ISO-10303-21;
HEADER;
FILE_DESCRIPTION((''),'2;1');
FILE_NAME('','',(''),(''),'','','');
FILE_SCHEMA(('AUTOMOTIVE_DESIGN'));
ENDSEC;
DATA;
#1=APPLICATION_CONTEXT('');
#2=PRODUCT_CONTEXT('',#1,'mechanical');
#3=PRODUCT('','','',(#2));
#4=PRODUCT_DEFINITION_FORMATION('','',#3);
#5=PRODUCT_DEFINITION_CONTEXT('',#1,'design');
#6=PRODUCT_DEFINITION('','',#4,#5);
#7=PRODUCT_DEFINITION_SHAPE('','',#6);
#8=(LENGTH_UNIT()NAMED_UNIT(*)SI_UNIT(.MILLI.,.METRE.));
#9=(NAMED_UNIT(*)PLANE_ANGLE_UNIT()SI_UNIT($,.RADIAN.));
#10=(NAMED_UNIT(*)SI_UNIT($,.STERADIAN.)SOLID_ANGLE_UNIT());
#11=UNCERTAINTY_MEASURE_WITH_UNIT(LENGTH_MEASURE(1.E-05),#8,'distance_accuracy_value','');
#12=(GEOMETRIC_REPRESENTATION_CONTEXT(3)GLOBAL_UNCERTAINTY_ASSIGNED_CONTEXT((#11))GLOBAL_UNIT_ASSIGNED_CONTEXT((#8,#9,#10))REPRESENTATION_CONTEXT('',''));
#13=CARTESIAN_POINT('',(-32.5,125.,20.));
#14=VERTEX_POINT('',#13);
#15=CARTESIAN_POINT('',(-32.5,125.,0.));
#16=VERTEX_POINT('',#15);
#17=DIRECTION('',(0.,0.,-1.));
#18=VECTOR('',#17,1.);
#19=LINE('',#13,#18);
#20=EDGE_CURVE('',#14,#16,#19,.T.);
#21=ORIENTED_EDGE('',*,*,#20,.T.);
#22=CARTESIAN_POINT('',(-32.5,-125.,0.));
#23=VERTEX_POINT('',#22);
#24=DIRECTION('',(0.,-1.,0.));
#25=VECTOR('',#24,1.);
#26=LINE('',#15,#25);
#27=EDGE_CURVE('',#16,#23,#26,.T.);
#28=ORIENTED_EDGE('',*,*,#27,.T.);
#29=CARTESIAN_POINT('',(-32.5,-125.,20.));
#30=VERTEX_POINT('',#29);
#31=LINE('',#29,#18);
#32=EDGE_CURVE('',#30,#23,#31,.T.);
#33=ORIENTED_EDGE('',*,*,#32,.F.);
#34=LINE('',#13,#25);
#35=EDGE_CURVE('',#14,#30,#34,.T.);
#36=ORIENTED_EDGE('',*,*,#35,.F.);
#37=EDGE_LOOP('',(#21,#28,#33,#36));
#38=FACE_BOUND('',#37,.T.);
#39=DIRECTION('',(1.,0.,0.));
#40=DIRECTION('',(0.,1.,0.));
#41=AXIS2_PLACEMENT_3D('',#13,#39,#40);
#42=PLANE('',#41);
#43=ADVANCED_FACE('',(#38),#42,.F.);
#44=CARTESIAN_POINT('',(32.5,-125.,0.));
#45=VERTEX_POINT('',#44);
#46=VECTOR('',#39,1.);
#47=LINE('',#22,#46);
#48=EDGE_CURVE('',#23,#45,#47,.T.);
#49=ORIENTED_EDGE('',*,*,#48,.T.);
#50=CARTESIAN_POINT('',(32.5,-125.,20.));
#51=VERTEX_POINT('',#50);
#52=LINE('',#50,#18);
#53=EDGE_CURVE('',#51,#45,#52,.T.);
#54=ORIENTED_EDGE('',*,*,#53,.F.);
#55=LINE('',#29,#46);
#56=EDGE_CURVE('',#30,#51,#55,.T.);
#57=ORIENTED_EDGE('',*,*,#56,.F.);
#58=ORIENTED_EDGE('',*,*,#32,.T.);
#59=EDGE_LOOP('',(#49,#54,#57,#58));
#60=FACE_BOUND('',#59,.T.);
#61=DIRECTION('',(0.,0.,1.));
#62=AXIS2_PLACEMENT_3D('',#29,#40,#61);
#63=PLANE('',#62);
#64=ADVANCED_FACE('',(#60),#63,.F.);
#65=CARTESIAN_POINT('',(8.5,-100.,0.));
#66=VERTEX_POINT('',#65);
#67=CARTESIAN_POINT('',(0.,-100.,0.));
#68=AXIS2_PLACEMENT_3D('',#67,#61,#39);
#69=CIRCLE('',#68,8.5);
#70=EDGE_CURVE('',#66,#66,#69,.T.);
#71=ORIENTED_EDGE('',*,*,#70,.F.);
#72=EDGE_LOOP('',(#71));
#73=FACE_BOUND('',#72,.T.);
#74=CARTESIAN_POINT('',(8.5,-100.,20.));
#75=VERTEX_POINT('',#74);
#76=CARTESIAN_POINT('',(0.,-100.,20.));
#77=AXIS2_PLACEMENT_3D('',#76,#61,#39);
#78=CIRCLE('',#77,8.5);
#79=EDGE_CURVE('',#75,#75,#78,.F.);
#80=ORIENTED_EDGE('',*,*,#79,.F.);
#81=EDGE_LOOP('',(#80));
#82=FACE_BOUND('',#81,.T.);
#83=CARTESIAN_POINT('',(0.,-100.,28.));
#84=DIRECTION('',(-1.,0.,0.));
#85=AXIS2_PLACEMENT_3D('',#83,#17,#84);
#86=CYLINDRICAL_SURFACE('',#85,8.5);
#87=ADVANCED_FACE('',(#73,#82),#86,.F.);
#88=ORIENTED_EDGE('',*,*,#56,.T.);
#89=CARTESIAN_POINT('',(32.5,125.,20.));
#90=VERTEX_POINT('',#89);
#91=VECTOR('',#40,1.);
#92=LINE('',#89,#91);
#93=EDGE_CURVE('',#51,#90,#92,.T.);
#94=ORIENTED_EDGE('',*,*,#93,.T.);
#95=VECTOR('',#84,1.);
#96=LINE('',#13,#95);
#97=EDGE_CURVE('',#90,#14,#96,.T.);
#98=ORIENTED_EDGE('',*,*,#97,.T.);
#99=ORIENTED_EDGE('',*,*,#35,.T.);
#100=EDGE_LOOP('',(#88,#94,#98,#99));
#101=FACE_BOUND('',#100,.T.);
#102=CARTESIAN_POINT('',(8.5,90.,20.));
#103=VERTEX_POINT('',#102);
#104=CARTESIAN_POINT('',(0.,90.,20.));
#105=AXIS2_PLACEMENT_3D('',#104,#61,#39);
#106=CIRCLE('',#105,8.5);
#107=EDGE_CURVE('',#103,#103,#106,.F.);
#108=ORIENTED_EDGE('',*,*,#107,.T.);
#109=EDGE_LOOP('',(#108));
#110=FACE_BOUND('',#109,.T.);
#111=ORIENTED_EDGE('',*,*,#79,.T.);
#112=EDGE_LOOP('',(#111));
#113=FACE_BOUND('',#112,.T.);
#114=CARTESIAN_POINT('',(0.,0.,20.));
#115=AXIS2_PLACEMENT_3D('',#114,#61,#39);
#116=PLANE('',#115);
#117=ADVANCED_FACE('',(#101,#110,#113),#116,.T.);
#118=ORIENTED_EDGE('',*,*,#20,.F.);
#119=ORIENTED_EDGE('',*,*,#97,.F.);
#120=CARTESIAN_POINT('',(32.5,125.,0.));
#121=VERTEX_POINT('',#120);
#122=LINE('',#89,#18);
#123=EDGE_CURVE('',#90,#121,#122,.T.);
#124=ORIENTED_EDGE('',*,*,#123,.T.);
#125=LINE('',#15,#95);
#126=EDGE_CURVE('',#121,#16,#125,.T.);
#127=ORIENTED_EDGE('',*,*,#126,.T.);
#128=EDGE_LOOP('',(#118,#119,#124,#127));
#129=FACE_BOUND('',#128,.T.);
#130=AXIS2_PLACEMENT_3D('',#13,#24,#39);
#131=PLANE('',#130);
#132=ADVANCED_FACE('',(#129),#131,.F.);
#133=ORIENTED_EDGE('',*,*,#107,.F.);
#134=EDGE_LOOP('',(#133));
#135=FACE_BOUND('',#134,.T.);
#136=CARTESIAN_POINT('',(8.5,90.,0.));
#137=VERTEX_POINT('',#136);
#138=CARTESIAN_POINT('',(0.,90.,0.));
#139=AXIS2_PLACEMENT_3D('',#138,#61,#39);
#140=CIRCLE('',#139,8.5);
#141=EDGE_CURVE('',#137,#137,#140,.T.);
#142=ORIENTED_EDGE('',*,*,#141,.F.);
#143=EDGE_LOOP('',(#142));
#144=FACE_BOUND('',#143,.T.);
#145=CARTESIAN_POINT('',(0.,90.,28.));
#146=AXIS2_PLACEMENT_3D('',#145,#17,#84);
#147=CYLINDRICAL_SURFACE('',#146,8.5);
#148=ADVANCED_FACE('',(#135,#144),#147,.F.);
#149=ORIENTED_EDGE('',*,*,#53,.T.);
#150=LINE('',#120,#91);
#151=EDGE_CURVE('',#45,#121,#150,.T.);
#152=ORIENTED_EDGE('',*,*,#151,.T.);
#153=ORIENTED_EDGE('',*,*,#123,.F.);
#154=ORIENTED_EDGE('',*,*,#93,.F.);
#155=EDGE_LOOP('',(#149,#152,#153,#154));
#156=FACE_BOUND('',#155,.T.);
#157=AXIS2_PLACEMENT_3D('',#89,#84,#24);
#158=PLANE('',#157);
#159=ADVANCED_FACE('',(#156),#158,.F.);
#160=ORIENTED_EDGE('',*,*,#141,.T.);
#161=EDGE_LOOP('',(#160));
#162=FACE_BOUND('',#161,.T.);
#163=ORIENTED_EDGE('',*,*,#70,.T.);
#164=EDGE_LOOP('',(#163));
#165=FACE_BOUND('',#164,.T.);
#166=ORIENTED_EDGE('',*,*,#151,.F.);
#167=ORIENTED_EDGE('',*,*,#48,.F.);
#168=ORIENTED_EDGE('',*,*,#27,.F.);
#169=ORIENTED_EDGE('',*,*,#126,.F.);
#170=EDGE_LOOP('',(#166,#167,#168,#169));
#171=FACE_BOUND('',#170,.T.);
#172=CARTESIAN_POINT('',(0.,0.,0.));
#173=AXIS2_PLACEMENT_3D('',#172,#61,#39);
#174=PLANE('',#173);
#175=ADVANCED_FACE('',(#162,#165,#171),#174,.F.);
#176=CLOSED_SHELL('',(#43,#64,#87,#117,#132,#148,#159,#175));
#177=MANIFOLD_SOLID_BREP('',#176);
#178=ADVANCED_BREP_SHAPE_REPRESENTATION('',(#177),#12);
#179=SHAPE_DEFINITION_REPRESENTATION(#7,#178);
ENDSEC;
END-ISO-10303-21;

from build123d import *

# Parameters (mm, degrees)
SKETCH1_W           = 65
SKETCH1_H           = 250
BOSS_EXTRUDE1_DEPTH = 20
SKETCH3_R           = 8.5
CUT_EXTRUDE2_DEPTH  = 28


with BuildPart() as part:
    # Sketch1 → Boss-Extrude1 (new body)
    with BuildSketch(Plane.XY):
        Rectangle(SKETCH1_W, SKETCH1_H)
    extrude(amount=BOSS_EXTRUDE1_DEPTH)

    # Sketch3 → Cut-Extrude2 (cut)
    with BuildSketch(Plane.XY):
        with Locations((0, -100)):
            Circle(SKETCH3_R)
        with Locations((0, 90)):
            Circle(SKETCH3_R)
    extrude(amount=CUT_EXTRUDE2_DEPTH, mode=Mode.SUBTRACT)


solid = part.part
